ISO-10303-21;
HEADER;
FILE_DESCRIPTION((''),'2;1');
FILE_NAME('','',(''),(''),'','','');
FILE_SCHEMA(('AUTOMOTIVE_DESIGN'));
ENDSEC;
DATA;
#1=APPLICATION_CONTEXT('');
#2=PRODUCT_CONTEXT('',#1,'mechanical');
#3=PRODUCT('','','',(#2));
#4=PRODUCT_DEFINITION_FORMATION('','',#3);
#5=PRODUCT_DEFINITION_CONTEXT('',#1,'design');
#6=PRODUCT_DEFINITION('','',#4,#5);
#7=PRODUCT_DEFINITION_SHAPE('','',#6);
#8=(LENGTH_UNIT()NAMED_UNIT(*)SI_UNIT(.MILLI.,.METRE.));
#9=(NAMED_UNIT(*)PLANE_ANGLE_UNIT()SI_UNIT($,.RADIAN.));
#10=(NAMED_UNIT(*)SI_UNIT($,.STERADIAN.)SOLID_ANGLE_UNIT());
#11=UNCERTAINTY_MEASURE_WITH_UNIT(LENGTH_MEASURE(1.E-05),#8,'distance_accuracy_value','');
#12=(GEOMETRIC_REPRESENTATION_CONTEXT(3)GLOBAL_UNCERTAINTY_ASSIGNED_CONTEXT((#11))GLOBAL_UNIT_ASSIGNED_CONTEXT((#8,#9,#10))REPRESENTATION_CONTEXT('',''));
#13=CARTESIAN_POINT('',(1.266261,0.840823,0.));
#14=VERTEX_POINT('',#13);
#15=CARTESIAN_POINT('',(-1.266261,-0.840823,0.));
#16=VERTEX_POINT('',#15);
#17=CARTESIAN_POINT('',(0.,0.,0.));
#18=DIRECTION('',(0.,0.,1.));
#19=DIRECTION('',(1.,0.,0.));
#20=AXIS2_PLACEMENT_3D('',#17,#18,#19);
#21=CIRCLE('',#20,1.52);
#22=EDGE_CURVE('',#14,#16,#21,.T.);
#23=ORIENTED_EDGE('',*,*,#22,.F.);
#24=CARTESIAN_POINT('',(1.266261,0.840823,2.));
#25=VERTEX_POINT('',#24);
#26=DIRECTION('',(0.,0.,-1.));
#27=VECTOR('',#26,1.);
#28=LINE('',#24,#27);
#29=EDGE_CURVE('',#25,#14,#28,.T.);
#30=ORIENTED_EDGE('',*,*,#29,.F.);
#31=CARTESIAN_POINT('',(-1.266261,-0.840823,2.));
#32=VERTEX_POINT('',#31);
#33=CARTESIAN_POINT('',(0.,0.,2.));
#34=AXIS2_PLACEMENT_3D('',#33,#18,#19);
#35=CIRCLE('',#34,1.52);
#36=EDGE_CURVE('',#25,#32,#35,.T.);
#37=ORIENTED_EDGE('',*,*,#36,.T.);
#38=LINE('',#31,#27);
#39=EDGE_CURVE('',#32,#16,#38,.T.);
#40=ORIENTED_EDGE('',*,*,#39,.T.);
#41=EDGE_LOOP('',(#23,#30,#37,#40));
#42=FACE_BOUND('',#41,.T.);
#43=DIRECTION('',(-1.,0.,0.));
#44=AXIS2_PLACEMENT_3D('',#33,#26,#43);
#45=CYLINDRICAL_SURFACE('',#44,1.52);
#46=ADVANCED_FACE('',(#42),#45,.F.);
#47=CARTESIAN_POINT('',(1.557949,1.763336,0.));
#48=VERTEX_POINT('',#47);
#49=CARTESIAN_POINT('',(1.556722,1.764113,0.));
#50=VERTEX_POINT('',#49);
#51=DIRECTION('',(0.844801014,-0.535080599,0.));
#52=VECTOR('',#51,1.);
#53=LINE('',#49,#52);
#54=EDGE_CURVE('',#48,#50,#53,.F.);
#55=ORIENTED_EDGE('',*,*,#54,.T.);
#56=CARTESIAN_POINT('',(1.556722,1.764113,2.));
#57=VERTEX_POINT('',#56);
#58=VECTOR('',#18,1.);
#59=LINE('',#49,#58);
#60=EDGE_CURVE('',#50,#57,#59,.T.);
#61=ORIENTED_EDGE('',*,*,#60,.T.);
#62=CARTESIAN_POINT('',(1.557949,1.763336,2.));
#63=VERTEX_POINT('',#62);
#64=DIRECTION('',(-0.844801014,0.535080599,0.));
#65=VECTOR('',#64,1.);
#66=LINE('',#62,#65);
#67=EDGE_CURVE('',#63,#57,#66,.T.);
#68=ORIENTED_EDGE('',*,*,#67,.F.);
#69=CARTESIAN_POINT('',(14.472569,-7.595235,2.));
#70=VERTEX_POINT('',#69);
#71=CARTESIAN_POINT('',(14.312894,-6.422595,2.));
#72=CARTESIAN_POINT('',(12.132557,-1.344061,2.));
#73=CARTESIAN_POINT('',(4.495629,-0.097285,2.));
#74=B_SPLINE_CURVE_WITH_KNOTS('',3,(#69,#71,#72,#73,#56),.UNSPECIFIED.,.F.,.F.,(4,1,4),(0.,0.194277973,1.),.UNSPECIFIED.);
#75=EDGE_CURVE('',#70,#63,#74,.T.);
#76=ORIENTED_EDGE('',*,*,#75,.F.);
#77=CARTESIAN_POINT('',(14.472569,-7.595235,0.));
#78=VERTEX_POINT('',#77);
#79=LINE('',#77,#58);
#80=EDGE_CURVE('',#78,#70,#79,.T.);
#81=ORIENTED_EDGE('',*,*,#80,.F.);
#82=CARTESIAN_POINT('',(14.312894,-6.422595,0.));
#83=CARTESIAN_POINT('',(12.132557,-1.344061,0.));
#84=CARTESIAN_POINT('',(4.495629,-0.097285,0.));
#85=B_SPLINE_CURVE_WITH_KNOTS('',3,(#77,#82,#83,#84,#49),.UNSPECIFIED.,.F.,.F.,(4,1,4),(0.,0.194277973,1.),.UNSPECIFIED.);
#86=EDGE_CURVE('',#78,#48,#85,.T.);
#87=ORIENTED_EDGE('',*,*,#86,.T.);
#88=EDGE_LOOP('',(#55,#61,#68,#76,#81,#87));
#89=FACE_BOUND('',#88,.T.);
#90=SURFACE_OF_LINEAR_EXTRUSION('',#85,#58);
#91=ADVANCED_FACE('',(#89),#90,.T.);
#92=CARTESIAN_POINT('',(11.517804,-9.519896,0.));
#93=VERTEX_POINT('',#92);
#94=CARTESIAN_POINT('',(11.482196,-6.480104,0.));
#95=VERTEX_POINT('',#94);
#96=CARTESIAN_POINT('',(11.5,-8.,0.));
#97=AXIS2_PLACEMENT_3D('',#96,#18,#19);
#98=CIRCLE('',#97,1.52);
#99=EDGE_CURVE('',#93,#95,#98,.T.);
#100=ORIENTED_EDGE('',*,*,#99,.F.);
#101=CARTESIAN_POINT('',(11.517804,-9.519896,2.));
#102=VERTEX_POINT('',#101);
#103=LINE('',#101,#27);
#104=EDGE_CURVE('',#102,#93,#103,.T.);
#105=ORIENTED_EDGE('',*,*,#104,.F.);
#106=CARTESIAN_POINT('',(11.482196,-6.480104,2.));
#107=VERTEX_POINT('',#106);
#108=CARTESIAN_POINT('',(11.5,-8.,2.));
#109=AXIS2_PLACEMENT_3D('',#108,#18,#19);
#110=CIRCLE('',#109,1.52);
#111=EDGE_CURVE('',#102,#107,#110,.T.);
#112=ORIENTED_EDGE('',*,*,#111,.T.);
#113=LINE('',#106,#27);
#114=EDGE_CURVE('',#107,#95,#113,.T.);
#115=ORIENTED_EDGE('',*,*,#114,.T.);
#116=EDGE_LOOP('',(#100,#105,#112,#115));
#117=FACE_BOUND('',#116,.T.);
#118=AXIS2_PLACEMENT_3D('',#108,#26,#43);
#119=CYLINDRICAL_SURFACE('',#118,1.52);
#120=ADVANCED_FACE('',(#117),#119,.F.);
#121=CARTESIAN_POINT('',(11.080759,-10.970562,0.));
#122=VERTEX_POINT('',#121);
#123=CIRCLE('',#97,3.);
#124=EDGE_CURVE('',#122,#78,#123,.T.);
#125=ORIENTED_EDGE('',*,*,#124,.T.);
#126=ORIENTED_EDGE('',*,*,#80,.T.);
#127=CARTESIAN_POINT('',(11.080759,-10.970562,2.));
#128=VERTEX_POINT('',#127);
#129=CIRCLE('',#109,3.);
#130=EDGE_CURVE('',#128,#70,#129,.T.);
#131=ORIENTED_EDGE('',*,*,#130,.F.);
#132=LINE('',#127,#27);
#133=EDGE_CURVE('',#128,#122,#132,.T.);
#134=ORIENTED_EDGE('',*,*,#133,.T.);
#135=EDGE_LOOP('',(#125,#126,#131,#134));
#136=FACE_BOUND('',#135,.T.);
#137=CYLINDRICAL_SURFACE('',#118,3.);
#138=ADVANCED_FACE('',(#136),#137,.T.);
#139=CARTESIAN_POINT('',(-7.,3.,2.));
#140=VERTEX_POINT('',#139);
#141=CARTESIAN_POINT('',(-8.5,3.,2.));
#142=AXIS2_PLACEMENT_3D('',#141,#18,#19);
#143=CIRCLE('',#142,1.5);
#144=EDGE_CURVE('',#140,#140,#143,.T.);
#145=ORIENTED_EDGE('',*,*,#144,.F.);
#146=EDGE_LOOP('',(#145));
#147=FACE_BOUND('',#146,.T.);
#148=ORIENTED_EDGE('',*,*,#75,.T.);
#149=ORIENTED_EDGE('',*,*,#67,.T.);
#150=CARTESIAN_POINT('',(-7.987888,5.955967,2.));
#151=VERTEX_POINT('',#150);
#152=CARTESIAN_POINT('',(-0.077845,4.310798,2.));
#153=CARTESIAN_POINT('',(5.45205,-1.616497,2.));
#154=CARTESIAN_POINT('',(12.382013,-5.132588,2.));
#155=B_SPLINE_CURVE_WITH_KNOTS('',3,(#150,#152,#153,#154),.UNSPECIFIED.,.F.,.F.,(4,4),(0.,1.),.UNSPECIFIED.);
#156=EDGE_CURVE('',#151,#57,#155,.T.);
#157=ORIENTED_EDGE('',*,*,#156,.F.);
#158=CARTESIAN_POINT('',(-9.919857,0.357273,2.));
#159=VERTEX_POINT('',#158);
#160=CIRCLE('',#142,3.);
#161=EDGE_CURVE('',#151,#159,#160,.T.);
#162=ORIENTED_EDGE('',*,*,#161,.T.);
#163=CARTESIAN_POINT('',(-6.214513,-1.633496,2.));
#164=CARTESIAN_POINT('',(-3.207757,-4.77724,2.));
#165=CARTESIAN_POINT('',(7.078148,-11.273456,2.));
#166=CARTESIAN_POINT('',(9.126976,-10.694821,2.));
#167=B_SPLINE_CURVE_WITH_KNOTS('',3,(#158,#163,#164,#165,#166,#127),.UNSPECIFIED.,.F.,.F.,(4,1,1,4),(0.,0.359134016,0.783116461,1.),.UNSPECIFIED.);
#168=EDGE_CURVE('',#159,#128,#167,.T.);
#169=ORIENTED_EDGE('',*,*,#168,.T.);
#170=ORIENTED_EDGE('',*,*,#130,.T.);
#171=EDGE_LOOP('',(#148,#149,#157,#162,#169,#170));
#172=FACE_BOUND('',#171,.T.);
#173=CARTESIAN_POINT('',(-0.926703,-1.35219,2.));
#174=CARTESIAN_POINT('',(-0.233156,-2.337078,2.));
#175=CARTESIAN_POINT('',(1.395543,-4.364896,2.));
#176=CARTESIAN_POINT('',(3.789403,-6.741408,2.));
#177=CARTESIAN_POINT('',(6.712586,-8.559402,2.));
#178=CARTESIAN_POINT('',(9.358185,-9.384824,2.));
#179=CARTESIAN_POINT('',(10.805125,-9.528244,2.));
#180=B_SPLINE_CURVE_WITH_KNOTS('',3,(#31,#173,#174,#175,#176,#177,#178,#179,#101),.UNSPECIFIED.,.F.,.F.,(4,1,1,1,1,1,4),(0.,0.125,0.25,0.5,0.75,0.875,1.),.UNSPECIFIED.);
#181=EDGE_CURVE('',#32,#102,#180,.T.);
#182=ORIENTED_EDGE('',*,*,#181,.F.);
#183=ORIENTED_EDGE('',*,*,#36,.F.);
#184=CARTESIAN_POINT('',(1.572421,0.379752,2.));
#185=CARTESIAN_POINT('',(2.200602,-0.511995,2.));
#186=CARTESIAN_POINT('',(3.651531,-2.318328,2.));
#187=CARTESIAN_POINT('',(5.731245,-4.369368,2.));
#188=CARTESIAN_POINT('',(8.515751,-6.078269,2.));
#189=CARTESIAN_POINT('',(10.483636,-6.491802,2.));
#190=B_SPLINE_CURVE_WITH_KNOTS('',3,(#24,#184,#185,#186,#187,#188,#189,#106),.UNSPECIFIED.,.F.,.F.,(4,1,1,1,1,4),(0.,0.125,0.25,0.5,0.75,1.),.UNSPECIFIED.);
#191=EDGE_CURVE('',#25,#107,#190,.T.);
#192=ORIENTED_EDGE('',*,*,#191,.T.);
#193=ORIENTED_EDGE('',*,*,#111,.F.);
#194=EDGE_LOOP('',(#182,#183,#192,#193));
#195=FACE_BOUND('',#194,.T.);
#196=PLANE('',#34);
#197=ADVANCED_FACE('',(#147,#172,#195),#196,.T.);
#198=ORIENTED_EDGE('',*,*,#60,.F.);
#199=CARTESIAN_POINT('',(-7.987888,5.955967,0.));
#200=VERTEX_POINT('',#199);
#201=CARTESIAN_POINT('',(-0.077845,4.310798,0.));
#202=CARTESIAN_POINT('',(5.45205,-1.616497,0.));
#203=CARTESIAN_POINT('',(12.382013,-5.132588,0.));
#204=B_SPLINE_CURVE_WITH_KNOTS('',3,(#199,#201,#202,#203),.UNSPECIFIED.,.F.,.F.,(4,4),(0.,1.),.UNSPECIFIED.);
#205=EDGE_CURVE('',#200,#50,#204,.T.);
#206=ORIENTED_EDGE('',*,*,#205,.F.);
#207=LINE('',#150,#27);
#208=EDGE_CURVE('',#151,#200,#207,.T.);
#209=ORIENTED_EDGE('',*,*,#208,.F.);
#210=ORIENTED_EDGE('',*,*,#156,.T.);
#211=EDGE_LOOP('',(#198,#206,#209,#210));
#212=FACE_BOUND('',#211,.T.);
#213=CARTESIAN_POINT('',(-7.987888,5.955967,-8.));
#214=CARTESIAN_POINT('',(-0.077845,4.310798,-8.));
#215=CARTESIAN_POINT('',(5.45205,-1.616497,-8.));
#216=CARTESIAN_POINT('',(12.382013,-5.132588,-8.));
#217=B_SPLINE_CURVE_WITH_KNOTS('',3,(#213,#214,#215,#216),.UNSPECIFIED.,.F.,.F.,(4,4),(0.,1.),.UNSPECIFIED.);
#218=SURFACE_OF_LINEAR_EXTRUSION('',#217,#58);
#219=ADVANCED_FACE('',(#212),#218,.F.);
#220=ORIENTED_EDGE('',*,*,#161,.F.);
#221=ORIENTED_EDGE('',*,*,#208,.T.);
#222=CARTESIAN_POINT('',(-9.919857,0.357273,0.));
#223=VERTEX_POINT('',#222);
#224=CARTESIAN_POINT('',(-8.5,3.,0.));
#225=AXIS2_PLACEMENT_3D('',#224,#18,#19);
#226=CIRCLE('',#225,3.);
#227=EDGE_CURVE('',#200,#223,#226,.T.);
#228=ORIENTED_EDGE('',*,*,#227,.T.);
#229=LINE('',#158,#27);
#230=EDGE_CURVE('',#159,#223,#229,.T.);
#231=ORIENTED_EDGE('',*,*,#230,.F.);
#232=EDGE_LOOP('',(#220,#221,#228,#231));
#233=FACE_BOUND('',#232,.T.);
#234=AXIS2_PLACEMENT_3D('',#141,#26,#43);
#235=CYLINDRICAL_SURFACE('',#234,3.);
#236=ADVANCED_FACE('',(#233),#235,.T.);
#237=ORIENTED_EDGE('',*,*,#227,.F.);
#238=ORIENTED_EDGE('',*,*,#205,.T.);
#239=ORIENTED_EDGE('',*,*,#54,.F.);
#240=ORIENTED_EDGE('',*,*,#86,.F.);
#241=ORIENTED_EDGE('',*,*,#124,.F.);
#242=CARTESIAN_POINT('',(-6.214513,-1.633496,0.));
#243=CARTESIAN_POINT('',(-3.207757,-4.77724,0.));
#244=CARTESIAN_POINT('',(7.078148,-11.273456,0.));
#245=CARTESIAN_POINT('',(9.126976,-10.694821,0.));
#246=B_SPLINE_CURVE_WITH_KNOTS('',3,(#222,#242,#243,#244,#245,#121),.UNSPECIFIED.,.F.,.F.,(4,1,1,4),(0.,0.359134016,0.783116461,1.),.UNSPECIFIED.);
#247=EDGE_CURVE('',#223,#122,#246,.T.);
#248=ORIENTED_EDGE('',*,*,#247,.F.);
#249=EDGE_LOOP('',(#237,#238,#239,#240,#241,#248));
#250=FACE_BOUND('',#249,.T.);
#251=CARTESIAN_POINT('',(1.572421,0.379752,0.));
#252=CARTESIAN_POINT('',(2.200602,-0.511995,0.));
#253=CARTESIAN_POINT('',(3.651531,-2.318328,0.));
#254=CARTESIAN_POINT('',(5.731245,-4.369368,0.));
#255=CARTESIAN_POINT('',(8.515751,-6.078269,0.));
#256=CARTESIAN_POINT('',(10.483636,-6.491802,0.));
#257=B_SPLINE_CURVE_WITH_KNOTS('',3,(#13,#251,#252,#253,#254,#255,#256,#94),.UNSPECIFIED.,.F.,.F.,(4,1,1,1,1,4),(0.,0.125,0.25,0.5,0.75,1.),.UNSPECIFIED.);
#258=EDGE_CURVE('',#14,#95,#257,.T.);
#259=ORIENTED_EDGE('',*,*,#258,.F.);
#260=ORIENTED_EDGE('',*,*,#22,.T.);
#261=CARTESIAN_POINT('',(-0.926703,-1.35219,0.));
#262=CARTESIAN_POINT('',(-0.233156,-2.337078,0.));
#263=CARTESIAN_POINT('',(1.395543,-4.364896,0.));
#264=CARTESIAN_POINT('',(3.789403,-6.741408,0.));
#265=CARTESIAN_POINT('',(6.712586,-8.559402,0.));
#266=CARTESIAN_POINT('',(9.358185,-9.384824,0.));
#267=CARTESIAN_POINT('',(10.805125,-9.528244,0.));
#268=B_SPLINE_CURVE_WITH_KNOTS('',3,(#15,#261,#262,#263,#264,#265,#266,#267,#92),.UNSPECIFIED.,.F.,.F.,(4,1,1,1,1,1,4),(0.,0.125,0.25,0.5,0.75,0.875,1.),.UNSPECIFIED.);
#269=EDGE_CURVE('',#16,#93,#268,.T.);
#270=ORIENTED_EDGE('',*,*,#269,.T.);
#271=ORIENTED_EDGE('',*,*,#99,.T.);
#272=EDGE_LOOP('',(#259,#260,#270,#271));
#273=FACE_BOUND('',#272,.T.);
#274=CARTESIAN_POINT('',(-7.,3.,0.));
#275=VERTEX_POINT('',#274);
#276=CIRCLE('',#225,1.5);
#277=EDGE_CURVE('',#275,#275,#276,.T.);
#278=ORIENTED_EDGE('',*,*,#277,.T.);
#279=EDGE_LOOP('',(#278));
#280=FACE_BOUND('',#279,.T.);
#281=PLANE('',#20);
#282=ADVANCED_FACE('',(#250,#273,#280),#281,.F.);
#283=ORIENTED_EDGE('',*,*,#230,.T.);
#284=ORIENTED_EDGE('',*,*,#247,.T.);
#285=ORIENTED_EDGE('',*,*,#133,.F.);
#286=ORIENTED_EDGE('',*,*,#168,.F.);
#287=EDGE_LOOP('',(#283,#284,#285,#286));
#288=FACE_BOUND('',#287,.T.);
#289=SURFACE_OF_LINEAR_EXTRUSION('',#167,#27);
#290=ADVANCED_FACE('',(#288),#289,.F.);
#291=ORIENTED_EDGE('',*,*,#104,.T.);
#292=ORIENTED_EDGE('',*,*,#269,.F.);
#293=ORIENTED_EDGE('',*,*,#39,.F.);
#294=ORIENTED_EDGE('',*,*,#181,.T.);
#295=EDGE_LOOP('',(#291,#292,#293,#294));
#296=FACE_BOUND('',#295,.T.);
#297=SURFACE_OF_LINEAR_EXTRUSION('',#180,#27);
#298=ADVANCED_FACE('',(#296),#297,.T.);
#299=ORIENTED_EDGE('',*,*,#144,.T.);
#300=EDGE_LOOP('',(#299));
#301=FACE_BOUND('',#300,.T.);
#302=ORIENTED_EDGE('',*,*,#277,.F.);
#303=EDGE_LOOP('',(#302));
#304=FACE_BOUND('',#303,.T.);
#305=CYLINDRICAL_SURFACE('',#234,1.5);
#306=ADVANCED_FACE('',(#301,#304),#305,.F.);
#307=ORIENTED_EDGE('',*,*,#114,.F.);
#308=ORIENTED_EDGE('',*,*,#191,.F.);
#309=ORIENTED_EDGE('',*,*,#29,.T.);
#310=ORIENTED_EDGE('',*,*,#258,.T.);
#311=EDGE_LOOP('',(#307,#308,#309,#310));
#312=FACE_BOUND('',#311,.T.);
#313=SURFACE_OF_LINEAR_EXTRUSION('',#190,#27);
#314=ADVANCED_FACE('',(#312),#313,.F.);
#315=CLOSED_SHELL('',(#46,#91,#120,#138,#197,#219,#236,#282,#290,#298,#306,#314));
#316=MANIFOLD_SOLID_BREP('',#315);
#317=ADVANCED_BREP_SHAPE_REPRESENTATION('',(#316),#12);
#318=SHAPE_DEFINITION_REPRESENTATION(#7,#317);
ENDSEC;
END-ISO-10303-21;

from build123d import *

# Parameters (mm, degrees)
SKETCH_1_R          = 1.5
EXTRUDE_1_DEPTH     = 2
EXTRUDE_START       = -2
EXTRUDE_2_DEPTH     = 2
CUT_EXTRUDE_6_DEPTH = 10
EXTRUDE_3_DEPTH     = 2


with BuildPart() as part:
    # 草图1 → 凸台-拉伸1 (new body)
    with BuildSketch(Plane.XY):
        with BuildLine():
            add(Edge.make_bspline(
                [(-7.987888182, 5.955967098), (-3.743831448, 6.072814335), (1.964500208, 2.606366835), (9.971098404, -1.64370968), (11.281519782, -4.915475191), (12.099924554, -5.060596909)],
                knots=[0, 0, 0, 0, 0.492049643, 0.9167731, 1, 1, 1, 1], degree=3))
            ThreePointArc((-7.987888182, 5.955967098), (-11.335902649, 3.978599082), (-9.919857427, 0.35727321))
            add(Edge.make_bspline(
                [(-9.919857427, 0.35727321), (-6.214513301, -1.633496474), (-3.207757144, -4.777239805), (7.078147627, -11.27345607), (9.126976019, -10.694820948), (11.080759462, -10.970561794)],
                knots=[0, 0, 0, 0, 0.359134016, 0.783116461, 1, 1, 1, 1], degree=3))
            ThreePointArc((11.080759462, -10.970561794), (14.456363123, -8.509820643), (12.099924554, -5.060596909))
        make_face()
        with BuildLine():
            ThreePointArc((-1.266260939, -0.840822951), (-0.840822951, 1.266260939), (1.266260939, 0.840822951))
            add(Edge.make_bspline(
                [(1.266260939, 0.840822951), (1.572421217, 0.37975228), (2.2006023, -0.51199535), (3.651531179, -2.318328255), (5.731244794, -4.36936802), (8.515750536, -6.078268968), (10.483635949, -6.491801521), (11.482195768, -6.480104277)],
                knots=[0, 0, 0, 0, 0.125, 0.25, 0.5, 0.75, 1, 1, 1, 1], degree=3))
            ThreePointArc((11.482195768, -6.480104277), (12.568489019, -6.918921272), (13.02, -8))
            ThreePointArc((13.02, -8), (12.581078728, -9.068489019), (11.517804232, -9.519895723))
            add(Edge.make_bspline(
                [(-1.266260939, -0.840822951), (-0.926702959, -1.352189828), (-0.233155533, -2.337077502), (1.395542848, -4.364895632), (3.78940322, -6.741408475), (6.71258634, -8.559402396), (9.358185118, -9.384824122), (10.805124931, -9.52824413), (11.517804232, -9.519895723)],
                knots=[0, 0, 0, 0, 0.125, 0.25, 0.5, 0.75, 0.875, 1, 1, 1, 1], degree=3))
        make_face(mode=Mode.SUBTRACT)
        with Locations((-8.5, 3)):
            Circle(SKETCH_1_R, mode=Mode.SUBTRACT)
    extrude(amount=EXTRUDE_1_DEPTH)

    # 草图2 → 凸台-拉伸2 (add)
    with BuildSketch(Plane.XY.offset(2).offset(EXTRUDE_START)):
        with BuildLine():
            ThreePointArc((12.382013346, -5.132587847), (12.241842746, -5.093168505), (12.099924554, -5.060596909))
            add(Edge.make_bspline(
                [(12.099924554, -5.060596909), (11.281519782, -4.915475191), (10.976298239, -4.153420073), (10.521531787, -3.451743028), (10.374807656, -3.248589277)],
                knots=[0, 0, 0, 0, 0.0832269, 0.118311098, 0.118311098, 0.118311098, 0.118311098], degree=3))
            add(Edge.make_bspline(
                [(10.374807656, -3.248589277), (10.663783201, -3.648703868), (11.898898367, -4.983982122), (12.382013346, -5.132587847)],
                knots=[0, 0, 0, 0, 1, 1, 1, 1], degree=3))
        make_face()
    extrude(amount=EXTRUDE_2_DEPTH)

    # 草图7 → 切除-拉伸6 (cut)
    with BuildSketch(Plane.XY.offset(2)):
        with BuildLine():
            Line((-7.987888182, 5.955967098), (1.266062019, 11.163030358))
            Line((1.266062019, 11.163030358), (12.382013346, -5.132587847))
            add(Edge.make_bspline(
                [(-7.987888182, 5.955967098), (-0.077844738, 4.310798263), (5.452050398, -1.616496795), (12.382013346, -5.132587847)],
                knots=[0, 0, 0, 0, 1, 1, 1, 1], degree=3))
        make_face()
    extrude(amount=-CUT_EXTRUDE_6_DEPTH, mode=Mode.SUBTRACT)

    # 草图8 → 凸台-拉伸3 (add)
    with BuildSketch(Plane.XY.offset(2).offset(EXTRUDE_START)):
        with BuildLine():
            ThreePointArc((14.472568825, -7.595235155), (13.787052442, -6.058508015), (12.382013346, -5.132587847))
            add(Edge.make_bspline(
                [(12.382013346, -5.132587847), (12.317985887, -5.112893059), (12.24075005, -5.072355166), (12.154258782, -5.015913393)],
                knots=[0, 0, 0, 0, 0.132530478, 0.132530478, 0.132530478, 0.132530478], degree=3))
            add(Edge.make_bspline(
                [(12.154258782, -5.015913393), (8.423758186, -3.086650873), (5.090409864, -0.473998081), (1.556721967, 1.76411334)],
                knots=[0, 0, 0, 0, 0.540677693, 0.540677693, 0.540677693, 0.540677693], degree=3))
            add(Edge.make_bspline(
                [(1.556721967, 1.76411334), (4.495628992, -0.097285168), (12.132556571, -1.344060553), (14.312894291, -6.422594924), (14.472568825, -7.595235155)],
                knots=[0, 0, 0, 0, 0.805722027, 1, 1, 1, 1], degree=3))
        make_face()
    extrude(amount=EXTRUDE_3_DEPTH)


solid = part.part
